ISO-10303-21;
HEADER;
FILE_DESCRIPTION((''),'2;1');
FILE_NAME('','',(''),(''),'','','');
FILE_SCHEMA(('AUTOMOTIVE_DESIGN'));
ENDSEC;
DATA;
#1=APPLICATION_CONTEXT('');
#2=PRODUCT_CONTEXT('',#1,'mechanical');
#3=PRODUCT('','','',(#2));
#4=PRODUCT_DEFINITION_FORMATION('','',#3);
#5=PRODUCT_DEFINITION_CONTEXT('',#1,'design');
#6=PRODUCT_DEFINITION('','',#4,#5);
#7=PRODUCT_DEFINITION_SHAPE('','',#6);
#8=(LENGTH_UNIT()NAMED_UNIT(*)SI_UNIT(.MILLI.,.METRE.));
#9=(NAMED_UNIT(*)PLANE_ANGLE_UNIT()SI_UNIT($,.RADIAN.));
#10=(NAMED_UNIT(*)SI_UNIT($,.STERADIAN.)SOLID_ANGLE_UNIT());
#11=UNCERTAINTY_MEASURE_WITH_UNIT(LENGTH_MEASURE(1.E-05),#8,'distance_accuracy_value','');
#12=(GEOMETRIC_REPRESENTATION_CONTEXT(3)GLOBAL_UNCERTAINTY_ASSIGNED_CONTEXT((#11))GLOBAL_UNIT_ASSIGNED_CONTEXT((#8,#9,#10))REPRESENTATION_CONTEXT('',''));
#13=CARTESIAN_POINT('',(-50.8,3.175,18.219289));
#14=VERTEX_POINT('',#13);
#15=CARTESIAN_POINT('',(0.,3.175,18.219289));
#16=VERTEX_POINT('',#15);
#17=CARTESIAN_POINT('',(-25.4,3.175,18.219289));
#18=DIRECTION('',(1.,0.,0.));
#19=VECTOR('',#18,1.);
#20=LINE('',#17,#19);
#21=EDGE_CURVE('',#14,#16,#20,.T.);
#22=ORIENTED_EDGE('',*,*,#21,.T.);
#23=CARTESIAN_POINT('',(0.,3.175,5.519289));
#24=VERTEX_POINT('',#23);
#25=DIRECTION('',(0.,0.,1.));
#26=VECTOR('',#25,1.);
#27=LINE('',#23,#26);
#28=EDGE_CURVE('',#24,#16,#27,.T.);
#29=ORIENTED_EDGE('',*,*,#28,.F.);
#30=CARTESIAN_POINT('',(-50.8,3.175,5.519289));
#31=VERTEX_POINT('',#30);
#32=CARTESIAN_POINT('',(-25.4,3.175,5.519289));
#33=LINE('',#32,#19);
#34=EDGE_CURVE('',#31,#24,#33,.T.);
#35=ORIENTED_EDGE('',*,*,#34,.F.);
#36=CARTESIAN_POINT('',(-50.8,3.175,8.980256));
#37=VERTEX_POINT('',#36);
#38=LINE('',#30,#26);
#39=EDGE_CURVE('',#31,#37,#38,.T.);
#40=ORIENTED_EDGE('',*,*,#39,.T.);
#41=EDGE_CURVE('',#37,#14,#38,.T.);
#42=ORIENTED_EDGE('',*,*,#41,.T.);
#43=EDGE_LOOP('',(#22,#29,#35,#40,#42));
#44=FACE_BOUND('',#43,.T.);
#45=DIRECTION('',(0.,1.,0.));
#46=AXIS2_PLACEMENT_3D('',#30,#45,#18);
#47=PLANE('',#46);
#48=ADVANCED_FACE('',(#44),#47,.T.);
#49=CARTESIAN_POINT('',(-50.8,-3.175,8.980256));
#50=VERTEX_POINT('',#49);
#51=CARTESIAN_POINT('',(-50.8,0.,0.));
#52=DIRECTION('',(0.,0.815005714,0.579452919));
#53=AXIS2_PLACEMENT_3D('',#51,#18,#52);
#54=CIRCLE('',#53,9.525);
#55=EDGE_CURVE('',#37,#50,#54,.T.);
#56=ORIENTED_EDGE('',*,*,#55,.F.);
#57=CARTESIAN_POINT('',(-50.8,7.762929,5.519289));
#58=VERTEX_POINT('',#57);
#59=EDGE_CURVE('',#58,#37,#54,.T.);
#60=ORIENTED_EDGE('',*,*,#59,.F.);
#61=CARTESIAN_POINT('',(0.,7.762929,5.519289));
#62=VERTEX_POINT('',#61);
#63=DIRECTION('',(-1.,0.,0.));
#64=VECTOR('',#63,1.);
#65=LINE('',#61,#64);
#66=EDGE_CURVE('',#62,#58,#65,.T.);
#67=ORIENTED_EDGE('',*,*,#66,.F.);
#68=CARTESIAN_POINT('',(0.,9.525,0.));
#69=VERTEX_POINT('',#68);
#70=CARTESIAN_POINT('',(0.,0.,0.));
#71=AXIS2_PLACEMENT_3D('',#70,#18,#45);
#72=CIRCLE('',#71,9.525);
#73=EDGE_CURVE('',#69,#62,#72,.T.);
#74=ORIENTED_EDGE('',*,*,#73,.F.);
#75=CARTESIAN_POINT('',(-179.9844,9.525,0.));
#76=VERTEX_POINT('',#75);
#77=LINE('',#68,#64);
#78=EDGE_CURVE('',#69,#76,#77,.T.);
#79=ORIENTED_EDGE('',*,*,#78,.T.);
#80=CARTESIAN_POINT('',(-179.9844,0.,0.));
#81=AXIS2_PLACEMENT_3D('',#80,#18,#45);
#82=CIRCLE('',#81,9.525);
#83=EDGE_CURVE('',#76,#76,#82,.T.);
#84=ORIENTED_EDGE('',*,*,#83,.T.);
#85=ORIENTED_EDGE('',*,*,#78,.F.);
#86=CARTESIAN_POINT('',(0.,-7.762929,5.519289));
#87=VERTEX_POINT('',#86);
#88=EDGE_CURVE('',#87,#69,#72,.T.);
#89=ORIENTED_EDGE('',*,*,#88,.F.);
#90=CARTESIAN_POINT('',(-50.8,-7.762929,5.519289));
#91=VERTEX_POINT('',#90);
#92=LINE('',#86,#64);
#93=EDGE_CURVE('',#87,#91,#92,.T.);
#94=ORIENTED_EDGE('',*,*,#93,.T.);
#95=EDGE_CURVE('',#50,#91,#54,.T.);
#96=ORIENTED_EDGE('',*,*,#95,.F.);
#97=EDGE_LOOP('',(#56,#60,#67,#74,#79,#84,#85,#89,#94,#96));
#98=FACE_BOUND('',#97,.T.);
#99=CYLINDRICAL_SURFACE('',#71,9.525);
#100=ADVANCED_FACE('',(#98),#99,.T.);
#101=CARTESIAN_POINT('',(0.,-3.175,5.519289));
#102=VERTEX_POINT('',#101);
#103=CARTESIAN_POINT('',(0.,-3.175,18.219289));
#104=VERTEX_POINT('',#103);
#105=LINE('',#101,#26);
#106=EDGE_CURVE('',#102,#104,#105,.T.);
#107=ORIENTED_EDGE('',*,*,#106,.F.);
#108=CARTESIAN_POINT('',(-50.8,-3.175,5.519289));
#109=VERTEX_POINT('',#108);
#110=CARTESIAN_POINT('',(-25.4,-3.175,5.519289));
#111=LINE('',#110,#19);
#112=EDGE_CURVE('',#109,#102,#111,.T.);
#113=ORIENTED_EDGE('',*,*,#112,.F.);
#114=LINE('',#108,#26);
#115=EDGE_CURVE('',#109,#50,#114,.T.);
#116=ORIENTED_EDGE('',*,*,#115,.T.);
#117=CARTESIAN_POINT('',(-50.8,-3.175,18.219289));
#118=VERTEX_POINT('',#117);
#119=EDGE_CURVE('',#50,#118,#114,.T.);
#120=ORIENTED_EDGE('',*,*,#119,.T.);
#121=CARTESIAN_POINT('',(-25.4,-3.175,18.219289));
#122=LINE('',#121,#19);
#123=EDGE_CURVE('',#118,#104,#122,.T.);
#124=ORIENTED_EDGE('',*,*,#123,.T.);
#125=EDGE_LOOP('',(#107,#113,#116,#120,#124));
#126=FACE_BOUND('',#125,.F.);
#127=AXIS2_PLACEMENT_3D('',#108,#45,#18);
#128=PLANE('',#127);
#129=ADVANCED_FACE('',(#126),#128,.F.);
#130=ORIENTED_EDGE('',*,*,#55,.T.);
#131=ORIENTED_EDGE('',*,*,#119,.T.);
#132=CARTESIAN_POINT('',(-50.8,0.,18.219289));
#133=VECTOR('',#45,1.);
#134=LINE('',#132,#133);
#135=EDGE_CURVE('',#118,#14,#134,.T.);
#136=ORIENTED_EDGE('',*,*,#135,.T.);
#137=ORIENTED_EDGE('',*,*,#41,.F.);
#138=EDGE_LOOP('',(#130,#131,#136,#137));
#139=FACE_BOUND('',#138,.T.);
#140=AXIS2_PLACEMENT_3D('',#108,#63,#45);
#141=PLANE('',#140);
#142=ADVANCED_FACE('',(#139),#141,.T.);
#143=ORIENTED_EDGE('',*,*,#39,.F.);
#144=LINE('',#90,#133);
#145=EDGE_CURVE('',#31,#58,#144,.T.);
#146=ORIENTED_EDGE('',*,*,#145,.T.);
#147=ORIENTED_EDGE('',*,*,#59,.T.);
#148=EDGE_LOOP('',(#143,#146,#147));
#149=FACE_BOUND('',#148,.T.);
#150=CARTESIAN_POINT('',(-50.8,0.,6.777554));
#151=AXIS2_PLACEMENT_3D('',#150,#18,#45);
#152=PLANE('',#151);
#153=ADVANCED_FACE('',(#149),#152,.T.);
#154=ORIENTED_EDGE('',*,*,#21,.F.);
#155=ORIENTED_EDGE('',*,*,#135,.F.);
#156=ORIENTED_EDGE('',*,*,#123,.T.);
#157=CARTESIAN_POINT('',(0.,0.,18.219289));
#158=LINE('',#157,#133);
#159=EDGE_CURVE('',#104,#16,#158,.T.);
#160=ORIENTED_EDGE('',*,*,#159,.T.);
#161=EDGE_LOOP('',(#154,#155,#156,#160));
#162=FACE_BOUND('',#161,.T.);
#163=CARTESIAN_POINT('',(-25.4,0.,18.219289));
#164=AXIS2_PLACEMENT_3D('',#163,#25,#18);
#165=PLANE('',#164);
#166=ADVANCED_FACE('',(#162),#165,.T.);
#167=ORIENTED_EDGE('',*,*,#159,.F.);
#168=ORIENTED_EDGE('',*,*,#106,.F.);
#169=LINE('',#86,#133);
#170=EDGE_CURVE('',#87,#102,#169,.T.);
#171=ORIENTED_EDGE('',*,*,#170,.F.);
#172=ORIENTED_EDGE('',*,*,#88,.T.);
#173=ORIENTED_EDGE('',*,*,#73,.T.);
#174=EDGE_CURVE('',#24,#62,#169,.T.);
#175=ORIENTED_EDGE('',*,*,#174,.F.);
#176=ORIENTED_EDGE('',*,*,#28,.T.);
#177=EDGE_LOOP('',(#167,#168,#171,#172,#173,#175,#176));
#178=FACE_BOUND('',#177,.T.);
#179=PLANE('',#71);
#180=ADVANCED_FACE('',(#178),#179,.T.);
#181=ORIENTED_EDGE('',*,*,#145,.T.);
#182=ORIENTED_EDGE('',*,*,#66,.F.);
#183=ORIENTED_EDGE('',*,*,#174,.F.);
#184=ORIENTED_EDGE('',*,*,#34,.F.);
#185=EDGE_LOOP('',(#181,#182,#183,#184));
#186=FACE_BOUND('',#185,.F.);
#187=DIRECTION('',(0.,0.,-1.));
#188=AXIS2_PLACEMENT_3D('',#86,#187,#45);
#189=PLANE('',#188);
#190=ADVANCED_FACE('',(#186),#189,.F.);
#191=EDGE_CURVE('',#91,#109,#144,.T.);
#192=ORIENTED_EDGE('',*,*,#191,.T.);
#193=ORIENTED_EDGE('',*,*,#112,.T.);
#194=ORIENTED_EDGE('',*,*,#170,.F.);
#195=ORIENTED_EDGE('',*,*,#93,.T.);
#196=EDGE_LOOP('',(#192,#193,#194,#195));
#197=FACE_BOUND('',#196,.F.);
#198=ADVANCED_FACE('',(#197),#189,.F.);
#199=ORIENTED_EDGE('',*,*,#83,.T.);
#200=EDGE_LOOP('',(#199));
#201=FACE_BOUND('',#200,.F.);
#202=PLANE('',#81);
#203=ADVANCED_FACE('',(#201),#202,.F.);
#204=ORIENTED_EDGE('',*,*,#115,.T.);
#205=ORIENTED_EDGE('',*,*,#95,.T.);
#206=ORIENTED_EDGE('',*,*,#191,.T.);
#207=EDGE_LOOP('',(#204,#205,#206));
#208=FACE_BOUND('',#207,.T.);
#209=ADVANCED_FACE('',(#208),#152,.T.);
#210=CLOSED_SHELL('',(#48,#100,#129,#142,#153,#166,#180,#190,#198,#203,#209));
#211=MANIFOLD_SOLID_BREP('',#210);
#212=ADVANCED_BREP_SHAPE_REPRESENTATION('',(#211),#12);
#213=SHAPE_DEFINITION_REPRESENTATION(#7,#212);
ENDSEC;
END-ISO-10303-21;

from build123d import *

# Parameters (mm, degrees)
F0_R     = 9.525
F1_DEPTH = 179.9844
F3_DEPTH = 50.8
F4_W     = 50.8
F4_H     = 6.35
F5_DEPTH = 12.7


with BuildPart() as f1:
    # F0 (on Right) → F1 (new body)
    with BuildSketch(Plane.YZ):
        Circle(F0_R)
    extrude(amount=-F1_DEPTH)

    # F2 (on face) → F3 (cut)
    with BuildSketch(Plane.YZ):
        with BuildLine():
            Line((-7.7629294276, 5.5192890577), (0, 5.5192890577))
            Line((0, 5.5192890577), (7.7629294276, 5.5192890577))
            ThreePointArc((7.7629294276, 5.5192890577), (0, 9.525), (-7.7629294276, 5.5192890577))
        make_face()
    extrude(amount=-F3_DEPTH, mode=Mode.SUBTRACT)

    # F4 (on face) → F5 (join)
    with BuildSketch(Plane.XY.offset(5.5192890577)):
        with Locations((-25.4, 0)):
            Rectangle(F4_W, F4_H)
    extrude(amount=F5_DEPTH)


solid = f1.part
